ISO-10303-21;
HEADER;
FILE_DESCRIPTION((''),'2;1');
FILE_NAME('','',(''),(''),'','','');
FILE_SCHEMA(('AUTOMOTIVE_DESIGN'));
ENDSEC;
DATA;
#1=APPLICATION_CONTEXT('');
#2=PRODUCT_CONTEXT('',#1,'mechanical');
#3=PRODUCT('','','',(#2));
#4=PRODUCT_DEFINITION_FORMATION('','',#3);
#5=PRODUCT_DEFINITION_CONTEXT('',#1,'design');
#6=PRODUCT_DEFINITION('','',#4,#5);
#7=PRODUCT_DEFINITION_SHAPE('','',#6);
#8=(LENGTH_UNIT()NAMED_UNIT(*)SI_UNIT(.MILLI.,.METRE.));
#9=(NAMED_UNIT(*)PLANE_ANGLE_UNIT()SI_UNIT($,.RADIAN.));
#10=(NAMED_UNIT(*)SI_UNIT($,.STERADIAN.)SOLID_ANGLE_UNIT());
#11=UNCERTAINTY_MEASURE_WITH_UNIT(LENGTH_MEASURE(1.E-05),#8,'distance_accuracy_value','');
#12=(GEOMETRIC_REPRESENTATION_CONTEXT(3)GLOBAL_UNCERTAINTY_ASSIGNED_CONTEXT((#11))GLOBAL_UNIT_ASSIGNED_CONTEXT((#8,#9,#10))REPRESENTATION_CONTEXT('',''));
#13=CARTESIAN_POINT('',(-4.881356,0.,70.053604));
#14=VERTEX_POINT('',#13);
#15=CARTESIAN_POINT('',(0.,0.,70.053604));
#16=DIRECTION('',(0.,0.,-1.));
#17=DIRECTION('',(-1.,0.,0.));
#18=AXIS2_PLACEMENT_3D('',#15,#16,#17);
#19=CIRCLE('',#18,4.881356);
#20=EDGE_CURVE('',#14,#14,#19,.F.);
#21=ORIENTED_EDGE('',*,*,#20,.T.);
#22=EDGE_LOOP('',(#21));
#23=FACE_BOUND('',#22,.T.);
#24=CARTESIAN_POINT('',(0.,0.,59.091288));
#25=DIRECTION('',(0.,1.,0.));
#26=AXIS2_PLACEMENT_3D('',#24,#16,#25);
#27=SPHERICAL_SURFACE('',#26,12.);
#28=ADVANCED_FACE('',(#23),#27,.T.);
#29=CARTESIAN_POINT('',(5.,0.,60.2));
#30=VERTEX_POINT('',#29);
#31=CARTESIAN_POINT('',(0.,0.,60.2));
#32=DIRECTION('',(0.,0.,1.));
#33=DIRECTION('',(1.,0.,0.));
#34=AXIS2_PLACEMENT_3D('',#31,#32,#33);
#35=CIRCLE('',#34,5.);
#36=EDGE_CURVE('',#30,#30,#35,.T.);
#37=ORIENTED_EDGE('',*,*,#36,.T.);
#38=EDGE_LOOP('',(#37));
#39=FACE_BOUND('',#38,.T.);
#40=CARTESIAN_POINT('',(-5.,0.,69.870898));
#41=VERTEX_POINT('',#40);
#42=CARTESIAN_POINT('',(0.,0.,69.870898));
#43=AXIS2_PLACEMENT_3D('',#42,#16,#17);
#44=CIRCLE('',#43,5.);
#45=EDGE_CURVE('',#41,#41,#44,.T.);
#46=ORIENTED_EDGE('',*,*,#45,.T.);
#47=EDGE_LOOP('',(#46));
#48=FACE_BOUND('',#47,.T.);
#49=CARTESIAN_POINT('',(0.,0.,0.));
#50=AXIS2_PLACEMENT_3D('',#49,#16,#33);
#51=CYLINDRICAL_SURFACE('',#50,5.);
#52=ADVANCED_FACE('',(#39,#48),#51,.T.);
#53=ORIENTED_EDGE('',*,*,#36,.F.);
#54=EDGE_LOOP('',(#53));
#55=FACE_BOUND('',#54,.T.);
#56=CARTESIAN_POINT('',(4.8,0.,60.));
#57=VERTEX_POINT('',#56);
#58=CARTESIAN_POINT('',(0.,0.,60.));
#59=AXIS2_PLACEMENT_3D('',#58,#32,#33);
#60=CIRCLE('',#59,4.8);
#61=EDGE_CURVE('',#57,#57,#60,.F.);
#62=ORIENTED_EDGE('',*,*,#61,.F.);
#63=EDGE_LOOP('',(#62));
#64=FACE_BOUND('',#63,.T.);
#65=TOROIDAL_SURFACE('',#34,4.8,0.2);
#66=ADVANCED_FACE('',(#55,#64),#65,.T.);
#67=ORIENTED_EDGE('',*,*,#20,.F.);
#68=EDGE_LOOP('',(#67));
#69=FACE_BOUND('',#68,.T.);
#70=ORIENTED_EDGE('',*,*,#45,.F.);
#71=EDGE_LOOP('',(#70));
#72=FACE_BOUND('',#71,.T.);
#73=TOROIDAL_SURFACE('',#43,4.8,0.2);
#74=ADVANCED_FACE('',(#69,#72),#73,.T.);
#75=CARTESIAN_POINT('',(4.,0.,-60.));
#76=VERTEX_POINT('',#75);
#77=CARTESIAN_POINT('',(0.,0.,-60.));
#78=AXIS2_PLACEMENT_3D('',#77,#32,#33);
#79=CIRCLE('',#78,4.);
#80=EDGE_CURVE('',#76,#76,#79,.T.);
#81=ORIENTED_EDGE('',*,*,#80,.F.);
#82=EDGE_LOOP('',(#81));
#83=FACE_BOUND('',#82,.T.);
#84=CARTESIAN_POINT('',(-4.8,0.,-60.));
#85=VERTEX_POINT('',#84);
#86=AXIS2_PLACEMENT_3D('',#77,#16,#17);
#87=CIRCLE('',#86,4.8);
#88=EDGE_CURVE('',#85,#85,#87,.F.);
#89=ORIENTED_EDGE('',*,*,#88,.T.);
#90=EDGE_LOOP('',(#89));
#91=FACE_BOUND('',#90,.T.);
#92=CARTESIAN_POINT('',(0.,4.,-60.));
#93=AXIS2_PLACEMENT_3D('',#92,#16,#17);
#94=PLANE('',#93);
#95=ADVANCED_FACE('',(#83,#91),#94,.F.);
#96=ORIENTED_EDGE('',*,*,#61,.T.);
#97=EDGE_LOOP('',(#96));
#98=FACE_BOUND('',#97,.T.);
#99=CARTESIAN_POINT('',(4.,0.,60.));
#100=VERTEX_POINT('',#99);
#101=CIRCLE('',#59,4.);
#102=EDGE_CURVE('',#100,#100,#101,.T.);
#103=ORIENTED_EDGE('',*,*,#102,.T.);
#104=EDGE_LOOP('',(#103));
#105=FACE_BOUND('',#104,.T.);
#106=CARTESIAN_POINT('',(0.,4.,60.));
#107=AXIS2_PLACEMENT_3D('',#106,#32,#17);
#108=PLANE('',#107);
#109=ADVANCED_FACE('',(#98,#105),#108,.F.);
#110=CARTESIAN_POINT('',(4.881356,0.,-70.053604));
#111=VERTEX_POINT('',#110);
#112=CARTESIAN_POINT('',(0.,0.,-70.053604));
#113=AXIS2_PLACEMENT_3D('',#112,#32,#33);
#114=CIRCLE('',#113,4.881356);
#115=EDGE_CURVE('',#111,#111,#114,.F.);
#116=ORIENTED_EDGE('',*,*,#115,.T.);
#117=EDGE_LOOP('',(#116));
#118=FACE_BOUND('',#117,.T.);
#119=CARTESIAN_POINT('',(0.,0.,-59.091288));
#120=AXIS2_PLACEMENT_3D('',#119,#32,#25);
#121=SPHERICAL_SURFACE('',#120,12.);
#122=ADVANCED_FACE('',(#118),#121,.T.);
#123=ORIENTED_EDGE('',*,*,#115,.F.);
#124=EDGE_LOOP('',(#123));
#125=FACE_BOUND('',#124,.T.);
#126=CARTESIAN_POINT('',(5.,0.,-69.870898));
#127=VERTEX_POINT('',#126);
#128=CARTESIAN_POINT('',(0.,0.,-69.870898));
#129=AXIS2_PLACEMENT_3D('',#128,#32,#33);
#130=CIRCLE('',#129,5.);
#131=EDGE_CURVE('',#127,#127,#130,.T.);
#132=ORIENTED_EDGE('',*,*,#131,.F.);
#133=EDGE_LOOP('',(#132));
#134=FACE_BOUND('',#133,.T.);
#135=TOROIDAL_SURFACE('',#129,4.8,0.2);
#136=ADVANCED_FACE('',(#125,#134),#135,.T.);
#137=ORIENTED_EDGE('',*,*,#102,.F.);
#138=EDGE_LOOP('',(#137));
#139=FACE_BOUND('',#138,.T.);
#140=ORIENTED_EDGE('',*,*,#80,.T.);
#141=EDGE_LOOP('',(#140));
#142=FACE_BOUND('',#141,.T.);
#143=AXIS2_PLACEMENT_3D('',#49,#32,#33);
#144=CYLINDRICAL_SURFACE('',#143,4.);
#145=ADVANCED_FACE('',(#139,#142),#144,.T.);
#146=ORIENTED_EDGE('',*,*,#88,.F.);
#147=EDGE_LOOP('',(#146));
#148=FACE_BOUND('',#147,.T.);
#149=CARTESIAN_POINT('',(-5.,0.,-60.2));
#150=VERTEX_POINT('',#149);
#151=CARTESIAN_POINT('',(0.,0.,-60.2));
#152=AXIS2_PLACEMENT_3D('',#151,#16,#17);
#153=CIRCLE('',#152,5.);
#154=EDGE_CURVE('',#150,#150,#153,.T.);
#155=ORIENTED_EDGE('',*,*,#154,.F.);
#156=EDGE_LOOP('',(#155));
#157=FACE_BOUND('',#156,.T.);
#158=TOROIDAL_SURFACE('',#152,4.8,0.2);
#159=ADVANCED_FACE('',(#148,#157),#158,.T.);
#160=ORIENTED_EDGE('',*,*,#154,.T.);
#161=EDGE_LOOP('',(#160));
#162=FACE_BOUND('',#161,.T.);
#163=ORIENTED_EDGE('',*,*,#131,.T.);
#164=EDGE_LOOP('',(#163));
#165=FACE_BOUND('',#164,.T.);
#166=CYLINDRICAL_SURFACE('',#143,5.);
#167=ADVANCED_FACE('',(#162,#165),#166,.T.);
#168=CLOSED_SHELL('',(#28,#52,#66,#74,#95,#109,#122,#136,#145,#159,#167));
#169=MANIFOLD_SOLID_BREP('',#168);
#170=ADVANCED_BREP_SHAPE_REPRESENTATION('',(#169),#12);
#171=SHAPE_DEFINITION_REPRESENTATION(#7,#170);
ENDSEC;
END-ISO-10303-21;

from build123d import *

# Parameters (mm, degrees)
FILLET1_R = 0.2


with BuildPart() as part:
    # Sketch1 → Revolve1 (revolve)
    with BuildSketch(Plane(origin=(0, 0, 0), x_dir=(0, 0, -1), z_dir=(1, 0, 0)), mode=Mode.PRIVATE) as revolve1_sk:
        with BuildLine():
            Line((0, 0), (71.091287885, 0))
            ThreePointArc((71.091287885, 0), (70.815292009, 2.558852734), (70, 5))
            Line((70, 5), (60, 5))
            Line((60, 5), (60, 4))
            Line((60, 4), (0, 4))
            Line((0, 4), (0, 0))
        make_face()
    revolve(revolve1_sk.sketch.rotate(Axis((0, 0, 0), (0, 0, -1)), 90), axis=Axis((0, 0, 0), (0, 0, -1)))

    # Mirror1: part across plane


with BuildPart() as part_1:
    add(part.part)
    add(part.part.mirror(Plane.XY))

    # Fillet1
    fillet1_edges = [part_1.edges().sort_by_distance(p)[0] for p in [
        (-5, 0, 60),
        (-5, 0, 70),
        (-5, 0, -70),
        (-5, 0, -60),
    ]]
    fillet(fillet1_edges, radius=FILLET1_R)


solid = part_1.part
